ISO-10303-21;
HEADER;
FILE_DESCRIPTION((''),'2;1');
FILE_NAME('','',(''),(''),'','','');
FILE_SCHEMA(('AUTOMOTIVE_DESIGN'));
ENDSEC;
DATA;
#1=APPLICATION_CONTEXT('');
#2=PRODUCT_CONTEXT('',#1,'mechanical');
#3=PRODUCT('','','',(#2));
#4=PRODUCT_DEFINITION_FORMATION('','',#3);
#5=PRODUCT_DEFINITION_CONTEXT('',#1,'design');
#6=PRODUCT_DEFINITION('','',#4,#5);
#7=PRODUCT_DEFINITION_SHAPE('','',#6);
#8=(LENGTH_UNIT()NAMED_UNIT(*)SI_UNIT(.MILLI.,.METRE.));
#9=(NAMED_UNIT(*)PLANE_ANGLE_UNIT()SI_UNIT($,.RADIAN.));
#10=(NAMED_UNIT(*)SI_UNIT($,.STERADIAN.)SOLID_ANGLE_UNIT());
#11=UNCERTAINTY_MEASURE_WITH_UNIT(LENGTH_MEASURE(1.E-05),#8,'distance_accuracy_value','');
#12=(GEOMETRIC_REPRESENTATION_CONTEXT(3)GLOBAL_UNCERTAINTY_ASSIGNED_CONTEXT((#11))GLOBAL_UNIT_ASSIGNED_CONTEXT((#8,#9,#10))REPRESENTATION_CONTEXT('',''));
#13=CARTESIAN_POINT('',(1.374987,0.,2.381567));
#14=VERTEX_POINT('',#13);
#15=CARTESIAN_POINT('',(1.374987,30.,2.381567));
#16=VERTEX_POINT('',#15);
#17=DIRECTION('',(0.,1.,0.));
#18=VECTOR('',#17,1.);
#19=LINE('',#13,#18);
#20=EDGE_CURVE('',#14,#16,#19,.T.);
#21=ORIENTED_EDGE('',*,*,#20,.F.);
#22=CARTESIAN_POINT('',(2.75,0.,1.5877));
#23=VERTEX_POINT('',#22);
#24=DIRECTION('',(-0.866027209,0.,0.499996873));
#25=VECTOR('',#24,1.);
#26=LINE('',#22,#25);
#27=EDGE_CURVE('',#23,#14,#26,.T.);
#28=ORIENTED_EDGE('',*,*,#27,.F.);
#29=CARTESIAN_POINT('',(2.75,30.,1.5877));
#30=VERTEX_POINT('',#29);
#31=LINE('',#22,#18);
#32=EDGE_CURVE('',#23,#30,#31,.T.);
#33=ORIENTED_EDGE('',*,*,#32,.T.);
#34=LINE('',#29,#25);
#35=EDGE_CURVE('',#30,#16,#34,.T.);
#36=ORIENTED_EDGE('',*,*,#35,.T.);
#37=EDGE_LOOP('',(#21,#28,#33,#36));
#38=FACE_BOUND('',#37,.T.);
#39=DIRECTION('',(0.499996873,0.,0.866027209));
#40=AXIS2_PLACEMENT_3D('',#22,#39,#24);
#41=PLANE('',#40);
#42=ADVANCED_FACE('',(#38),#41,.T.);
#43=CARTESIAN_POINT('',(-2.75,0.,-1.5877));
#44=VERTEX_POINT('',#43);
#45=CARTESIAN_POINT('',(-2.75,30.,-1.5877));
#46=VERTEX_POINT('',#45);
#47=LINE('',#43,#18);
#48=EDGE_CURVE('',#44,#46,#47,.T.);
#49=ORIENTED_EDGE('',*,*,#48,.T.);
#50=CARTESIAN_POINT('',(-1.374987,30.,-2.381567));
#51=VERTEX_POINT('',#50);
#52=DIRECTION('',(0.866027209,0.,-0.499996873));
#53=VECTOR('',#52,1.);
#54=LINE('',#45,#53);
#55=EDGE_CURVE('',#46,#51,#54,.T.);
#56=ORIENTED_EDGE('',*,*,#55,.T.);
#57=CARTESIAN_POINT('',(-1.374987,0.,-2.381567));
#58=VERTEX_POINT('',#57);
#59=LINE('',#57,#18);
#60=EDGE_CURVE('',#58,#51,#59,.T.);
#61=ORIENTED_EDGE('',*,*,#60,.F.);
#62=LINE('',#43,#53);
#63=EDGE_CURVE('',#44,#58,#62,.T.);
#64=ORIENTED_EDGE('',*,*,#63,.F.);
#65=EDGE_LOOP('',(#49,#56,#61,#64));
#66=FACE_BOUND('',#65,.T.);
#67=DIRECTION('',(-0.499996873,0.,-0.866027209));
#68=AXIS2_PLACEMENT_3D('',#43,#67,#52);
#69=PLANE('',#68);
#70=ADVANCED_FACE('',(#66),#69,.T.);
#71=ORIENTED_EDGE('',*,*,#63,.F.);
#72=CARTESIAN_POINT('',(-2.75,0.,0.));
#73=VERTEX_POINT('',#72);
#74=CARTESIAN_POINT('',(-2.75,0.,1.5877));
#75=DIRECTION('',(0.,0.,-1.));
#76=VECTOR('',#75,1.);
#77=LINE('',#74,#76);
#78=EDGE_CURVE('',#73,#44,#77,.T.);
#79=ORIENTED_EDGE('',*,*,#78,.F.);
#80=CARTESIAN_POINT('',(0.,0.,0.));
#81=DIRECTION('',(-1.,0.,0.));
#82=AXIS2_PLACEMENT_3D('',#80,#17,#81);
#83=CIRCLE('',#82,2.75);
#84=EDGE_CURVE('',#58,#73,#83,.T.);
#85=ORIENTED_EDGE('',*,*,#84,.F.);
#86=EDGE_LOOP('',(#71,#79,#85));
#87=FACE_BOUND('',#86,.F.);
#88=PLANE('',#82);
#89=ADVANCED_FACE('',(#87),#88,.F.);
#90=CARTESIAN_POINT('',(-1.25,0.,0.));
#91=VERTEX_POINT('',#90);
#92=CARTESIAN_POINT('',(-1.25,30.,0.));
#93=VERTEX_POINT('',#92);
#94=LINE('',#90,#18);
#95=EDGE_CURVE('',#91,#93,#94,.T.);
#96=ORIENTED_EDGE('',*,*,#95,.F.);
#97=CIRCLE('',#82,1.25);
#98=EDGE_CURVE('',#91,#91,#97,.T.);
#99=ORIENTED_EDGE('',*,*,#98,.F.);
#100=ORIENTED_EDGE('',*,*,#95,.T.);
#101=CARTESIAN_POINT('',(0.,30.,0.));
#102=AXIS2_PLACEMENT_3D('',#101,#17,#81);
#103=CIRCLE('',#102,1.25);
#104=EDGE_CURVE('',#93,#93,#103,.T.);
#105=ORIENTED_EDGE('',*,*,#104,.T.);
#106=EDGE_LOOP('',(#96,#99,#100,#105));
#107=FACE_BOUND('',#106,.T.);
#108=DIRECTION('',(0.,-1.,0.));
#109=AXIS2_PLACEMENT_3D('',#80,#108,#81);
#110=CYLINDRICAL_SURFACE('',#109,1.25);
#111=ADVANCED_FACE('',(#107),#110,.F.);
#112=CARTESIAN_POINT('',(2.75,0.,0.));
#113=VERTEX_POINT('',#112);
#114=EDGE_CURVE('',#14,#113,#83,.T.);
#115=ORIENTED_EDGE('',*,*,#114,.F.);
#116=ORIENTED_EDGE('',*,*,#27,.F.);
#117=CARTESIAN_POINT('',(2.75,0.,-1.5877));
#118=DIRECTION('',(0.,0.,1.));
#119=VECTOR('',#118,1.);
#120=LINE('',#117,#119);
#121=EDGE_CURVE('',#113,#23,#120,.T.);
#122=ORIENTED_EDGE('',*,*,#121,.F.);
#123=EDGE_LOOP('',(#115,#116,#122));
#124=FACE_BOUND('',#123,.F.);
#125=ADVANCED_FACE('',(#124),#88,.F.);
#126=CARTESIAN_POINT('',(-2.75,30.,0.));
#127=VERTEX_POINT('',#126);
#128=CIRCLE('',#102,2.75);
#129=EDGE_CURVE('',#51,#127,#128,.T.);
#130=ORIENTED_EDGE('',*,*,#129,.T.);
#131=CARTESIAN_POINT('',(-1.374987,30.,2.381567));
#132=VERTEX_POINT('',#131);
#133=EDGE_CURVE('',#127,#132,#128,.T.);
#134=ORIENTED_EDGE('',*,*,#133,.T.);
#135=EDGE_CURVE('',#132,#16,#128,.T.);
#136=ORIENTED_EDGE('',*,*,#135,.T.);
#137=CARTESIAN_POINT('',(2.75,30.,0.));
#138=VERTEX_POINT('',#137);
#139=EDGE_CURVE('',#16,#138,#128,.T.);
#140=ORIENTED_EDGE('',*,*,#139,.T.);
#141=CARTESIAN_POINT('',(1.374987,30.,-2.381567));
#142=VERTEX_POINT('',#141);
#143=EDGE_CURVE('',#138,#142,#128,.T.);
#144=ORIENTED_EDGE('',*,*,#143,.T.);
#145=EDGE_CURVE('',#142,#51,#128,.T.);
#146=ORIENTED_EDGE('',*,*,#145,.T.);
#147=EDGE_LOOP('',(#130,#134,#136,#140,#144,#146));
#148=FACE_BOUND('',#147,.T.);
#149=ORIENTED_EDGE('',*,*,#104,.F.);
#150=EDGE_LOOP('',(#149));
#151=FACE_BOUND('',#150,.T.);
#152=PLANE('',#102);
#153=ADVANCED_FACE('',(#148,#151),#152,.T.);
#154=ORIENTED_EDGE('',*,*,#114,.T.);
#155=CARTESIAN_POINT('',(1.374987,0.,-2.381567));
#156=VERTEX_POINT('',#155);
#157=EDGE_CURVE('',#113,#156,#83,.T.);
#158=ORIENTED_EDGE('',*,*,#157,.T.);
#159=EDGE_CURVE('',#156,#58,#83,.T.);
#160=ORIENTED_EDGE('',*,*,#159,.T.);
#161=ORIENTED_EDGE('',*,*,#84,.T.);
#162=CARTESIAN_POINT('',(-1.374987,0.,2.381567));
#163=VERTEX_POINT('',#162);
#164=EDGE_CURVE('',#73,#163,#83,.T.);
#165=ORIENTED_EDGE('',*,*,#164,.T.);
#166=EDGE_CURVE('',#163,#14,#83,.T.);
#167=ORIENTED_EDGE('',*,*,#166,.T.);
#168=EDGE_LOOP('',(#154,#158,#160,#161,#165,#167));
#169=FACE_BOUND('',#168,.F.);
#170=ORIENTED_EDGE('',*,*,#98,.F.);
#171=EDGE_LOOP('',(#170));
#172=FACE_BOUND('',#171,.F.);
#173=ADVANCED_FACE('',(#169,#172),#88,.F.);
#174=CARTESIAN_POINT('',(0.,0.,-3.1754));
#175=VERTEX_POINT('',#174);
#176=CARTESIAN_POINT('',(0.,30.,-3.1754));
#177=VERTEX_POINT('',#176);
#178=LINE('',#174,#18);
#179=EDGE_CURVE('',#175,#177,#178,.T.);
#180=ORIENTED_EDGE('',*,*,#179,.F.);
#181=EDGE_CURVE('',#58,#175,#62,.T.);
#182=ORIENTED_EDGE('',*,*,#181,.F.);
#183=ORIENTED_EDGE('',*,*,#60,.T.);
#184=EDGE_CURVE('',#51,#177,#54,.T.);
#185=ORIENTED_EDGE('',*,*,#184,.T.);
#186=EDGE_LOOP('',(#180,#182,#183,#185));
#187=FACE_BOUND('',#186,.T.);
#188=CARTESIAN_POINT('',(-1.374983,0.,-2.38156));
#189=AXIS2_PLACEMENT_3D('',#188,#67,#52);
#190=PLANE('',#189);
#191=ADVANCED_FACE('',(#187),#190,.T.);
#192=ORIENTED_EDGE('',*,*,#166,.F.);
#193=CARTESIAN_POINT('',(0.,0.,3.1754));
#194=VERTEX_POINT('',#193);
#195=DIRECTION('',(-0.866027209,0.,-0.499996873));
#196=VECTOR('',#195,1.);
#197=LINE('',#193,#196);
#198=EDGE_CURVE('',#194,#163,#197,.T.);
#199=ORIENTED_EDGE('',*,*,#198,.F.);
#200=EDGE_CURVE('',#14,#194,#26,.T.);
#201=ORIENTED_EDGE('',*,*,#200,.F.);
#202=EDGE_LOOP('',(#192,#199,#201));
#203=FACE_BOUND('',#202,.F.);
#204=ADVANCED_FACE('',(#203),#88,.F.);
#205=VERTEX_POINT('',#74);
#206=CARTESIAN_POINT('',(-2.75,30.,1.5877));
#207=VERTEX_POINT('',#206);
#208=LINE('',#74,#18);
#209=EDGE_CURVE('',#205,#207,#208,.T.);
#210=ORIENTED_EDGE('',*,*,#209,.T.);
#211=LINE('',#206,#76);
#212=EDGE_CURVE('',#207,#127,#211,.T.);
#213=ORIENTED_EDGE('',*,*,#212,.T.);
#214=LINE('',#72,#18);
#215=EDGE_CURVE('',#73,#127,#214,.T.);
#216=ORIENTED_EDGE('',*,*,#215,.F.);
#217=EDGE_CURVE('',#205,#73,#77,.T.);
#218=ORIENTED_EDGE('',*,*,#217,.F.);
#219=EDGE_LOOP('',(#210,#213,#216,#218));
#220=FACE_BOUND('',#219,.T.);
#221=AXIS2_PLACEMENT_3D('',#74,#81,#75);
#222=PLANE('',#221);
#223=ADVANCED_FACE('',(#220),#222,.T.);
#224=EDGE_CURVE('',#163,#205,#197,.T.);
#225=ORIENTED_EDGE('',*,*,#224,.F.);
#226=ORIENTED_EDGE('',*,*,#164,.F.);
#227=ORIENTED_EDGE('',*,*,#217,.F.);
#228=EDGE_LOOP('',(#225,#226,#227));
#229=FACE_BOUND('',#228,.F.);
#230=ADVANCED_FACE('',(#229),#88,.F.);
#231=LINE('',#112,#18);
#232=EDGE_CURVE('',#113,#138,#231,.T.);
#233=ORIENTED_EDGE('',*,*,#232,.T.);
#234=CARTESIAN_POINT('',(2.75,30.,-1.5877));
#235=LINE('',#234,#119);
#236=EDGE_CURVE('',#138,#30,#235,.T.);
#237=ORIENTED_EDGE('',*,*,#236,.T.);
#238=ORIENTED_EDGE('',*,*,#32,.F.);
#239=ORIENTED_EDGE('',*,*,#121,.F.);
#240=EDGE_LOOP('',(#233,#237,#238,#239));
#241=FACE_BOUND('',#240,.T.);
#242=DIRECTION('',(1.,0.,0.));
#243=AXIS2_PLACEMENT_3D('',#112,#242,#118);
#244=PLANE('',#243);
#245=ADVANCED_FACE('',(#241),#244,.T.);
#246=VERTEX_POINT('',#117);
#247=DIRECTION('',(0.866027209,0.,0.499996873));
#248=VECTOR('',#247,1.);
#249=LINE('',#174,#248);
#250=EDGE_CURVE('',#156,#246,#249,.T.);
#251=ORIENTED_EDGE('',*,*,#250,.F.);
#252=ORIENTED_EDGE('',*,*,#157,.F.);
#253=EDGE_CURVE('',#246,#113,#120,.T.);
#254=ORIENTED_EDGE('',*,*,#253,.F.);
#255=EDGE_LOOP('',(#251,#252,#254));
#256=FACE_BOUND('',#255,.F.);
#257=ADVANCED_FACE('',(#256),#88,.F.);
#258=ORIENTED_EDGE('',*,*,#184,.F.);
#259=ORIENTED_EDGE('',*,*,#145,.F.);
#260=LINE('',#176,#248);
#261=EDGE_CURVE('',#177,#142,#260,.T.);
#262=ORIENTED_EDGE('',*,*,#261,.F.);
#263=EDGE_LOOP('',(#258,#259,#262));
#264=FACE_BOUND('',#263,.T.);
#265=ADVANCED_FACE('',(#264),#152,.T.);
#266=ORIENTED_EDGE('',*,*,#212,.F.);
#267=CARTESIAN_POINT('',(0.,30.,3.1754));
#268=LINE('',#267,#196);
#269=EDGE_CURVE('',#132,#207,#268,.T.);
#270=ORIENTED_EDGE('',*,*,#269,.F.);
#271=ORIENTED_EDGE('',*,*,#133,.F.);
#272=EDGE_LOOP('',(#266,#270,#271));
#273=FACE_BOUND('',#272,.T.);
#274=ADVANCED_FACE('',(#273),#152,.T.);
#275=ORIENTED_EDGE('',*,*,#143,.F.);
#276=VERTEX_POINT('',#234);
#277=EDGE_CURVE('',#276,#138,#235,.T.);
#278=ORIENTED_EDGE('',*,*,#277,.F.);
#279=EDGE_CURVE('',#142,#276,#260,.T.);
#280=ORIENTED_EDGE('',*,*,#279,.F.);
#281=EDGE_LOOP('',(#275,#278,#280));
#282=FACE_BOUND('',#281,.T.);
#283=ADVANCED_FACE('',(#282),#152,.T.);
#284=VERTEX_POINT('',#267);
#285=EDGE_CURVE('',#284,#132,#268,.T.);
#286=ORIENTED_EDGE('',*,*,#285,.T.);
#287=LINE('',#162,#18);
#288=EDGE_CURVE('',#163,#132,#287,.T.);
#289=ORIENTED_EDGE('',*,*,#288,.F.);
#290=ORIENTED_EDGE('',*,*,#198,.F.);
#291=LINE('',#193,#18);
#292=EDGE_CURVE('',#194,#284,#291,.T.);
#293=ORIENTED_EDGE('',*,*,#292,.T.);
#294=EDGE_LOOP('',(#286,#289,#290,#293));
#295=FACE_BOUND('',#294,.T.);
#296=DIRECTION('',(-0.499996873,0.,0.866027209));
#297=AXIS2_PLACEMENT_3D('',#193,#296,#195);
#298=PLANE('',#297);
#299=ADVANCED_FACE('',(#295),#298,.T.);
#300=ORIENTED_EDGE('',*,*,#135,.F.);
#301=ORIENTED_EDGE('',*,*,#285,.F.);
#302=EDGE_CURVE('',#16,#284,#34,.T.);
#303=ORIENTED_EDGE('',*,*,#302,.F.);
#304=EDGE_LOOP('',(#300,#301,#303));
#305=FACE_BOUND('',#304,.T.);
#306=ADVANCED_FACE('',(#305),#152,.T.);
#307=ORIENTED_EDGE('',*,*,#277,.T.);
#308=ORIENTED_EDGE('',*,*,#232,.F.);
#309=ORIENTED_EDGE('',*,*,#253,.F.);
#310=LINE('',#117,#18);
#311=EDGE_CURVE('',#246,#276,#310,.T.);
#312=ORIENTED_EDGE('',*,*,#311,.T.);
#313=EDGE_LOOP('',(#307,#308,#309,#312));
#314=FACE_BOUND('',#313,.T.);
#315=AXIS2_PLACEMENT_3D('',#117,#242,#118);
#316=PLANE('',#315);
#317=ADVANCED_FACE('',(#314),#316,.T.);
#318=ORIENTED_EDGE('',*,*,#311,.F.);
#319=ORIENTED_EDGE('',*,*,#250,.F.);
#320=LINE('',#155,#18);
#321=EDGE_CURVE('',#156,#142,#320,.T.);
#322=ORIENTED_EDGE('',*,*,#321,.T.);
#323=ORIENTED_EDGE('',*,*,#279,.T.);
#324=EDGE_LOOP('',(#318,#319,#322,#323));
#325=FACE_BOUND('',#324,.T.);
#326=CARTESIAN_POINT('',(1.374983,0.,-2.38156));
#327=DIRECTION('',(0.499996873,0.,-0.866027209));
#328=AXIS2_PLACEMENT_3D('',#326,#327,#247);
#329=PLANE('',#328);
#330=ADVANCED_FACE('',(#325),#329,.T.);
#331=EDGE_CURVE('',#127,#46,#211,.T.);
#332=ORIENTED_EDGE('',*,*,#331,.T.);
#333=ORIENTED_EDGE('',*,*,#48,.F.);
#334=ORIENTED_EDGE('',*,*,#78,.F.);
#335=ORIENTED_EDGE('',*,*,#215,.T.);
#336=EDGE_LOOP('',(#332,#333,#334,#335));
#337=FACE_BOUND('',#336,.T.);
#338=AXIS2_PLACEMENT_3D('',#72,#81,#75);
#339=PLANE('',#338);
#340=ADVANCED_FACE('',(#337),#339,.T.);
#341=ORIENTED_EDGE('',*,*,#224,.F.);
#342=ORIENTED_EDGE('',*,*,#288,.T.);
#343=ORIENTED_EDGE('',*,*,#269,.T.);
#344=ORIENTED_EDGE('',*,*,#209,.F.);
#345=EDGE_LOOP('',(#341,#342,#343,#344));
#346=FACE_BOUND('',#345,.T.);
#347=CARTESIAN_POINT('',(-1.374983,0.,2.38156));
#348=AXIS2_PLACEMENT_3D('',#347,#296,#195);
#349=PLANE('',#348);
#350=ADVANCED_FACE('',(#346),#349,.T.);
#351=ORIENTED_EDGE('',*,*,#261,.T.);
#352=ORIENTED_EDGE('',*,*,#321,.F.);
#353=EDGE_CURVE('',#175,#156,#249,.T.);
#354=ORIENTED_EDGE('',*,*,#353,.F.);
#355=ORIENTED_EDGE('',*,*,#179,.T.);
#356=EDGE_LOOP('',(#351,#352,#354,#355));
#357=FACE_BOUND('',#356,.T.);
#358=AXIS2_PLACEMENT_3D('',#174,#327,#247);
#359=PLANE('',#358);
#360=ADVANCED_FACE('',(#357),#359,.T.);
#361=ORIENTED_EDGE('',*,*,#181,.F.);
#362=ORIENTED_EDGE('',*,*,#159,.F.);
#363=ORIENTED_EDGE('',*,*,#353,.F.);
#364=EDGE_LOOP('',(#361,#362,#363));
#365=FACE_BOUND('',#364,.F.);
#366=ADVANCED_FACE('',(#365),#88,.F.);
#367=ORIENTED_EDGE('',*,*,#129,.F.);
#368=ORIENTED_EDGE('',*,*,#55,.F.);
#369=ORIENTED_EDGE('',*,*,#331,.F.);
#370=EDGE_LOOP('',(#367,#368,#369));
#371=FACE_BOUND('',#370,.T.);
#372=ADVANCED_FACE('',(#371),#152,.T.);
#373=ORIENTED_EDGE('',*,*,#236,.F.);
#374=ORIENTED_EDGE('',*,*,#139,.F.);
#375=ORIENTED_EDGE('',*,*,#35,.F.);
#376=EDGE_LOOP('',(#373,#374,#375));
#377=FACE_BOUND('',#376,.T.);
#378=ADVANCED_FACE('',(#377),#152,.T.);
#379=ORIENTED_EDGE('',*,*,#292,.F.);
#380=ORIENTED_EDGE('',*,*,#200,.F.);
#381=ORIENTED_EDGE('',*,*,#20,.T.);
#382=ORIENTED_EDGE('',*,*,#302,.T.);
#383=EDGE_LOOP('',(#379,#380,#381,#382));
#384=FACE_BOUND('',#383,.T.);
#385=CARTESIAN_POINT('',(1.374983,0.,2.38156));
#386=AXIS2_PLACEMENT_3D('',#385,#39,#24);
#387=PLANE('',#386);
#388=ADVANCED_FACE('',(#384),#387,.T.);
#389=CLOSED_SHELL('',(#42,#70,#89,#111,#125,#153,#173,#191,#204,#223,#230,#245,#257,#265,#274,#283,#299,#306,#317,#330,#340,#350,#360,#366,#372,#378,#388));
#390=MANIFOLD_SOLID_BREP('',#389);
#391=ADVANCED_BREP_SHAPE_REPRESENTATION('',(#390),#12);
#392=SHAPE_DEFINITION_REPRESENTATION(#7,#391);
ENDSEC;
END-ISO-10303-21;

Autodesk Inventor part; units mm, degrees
ref_plane "YZ Plane" through (0, 0, 0) normal (1, 0, 0) x (0, 1, 0)
ref_plane "XZ Plane" through (0, 0, 0) normal (0, 1, 0) x (-1, 0, 0)
ref_plane "XY Plane" through (0, 0, 0) normal (0, 0, 1) x (1, 0, 0)
sketch "Sketch1" plane through (0, 0, 0) normal (0, 1, 0) x (-1, 0, 0)
  circle A0 centre (0, 0) radius 2.75
  line L0 (2.75, -1.5877) -> (0, -3.1754)
  line L1 (0, -3.1754) -> (-2.75, -1.5877)
  line L2 (-2.75, -1.5877) -> (-2.75, 1.5877)
  line L3 (-2.75, 1.5877) -> (0, 3.1754)
  line L4 (0, 3.1754) -> (2.75, 1.5877)
  line L5 (2.75, 1.5877) -> (2.75, -1.5877)
  circle A1 centre (0, 0) radius 1.25
  point P0 (2.75, 0)
  dimension "d0" = 5.5
  dimension "d1" = 2.5
extrude "Extrusion1" add sketch "Sketch1" along normal blind 30
thread "Thread1" size "M3x0.5" class "6H" standard "ANSI Metric M Profile" full length
properties part number "Distance_M3_30" material "Nickel-Copper Alloy 400"
